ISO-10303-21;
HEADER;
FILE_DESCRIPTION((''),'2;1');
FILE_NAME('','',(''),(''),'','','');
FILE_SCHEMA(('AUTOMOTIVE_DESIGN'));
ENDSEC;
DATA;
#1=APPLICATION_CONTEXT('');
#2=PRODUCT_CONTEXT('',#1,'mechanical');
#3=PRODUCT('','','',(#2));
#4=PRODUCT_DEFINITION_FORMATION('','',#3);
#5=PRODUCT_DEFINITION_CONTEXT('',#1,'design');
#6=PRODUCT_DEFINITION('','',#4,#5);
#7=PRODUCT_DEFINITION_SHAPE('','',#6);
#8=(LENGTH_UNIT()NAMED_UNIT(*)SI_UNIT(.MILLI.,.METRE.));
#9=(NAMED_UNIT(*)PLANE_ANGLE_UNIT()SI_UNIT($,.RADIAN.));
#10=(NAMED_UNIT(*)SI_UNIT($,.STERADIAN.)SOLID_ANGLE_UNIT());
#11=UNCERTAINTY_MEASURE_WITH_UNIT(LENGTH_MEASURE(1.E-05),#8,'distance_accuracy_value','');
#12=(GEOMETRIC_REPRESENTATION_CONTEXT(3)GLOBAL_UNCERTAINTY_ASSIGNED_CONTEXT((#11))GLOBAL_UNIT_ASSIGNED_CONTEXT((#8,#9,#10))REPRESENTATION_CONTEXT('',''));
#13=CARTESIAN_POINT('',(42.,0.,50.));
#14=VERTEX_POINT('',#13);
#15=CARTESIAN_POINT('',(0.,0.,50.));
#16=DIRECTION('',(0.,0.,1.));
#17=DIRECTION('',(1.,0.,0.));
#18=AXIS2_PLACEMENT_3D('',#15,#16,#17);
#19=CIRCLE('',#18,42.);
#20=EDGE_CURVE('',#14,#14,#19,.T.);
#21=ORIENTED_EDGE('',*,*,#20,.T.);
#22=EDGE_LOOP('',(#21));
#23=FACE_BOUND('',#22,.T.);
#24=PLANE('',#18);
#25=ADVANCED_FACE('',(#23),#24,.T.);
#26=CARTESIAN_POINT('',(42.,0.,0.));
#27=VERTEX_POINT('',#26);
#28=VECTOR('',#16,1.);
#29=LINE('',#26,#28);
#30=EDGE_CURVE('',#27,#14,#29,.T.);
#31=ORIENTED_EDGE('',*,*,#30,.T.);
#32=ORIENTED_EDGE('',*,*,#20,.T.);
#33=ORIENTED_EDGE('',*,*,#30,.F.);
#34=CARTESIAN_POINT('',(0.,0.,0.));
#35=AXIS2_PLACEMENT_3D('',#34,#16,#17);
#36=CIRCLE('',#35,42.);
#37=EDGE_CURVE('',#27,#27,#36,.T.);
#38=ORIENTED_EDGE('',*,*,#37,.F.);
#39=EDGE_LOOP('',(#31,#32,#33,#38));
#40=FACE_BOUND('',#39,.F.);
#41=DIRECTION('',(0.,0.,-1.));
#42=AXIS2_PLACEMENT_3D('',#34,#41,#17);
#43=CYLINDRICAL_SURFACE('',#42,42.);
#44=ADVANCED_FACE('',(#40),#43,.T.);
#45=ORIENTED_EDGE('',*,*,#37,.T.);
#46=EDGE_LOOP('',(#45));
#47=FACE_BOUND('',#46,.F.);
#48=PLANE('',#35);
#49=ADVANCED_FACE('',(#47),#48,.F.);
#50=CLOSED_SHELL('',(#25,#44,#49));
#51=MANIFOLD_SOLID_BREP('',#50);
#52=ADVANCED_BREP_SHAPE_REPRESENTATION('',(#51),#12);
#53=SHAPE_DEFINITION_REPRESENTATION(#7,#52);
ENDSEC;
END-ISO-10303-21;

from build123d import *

# Parameters (mm, degrees)
SKETCH_R      = 42
EXTRUDE_DEPTH = 50


with BuildPart() as part:
    # Sketch → Extrude (new body)
    with BuildSketch(Plane.XY):
        Circle(SKETCH_R)
    extrude(amount=EXTRUDE_DEPTH)


solid = part.part
